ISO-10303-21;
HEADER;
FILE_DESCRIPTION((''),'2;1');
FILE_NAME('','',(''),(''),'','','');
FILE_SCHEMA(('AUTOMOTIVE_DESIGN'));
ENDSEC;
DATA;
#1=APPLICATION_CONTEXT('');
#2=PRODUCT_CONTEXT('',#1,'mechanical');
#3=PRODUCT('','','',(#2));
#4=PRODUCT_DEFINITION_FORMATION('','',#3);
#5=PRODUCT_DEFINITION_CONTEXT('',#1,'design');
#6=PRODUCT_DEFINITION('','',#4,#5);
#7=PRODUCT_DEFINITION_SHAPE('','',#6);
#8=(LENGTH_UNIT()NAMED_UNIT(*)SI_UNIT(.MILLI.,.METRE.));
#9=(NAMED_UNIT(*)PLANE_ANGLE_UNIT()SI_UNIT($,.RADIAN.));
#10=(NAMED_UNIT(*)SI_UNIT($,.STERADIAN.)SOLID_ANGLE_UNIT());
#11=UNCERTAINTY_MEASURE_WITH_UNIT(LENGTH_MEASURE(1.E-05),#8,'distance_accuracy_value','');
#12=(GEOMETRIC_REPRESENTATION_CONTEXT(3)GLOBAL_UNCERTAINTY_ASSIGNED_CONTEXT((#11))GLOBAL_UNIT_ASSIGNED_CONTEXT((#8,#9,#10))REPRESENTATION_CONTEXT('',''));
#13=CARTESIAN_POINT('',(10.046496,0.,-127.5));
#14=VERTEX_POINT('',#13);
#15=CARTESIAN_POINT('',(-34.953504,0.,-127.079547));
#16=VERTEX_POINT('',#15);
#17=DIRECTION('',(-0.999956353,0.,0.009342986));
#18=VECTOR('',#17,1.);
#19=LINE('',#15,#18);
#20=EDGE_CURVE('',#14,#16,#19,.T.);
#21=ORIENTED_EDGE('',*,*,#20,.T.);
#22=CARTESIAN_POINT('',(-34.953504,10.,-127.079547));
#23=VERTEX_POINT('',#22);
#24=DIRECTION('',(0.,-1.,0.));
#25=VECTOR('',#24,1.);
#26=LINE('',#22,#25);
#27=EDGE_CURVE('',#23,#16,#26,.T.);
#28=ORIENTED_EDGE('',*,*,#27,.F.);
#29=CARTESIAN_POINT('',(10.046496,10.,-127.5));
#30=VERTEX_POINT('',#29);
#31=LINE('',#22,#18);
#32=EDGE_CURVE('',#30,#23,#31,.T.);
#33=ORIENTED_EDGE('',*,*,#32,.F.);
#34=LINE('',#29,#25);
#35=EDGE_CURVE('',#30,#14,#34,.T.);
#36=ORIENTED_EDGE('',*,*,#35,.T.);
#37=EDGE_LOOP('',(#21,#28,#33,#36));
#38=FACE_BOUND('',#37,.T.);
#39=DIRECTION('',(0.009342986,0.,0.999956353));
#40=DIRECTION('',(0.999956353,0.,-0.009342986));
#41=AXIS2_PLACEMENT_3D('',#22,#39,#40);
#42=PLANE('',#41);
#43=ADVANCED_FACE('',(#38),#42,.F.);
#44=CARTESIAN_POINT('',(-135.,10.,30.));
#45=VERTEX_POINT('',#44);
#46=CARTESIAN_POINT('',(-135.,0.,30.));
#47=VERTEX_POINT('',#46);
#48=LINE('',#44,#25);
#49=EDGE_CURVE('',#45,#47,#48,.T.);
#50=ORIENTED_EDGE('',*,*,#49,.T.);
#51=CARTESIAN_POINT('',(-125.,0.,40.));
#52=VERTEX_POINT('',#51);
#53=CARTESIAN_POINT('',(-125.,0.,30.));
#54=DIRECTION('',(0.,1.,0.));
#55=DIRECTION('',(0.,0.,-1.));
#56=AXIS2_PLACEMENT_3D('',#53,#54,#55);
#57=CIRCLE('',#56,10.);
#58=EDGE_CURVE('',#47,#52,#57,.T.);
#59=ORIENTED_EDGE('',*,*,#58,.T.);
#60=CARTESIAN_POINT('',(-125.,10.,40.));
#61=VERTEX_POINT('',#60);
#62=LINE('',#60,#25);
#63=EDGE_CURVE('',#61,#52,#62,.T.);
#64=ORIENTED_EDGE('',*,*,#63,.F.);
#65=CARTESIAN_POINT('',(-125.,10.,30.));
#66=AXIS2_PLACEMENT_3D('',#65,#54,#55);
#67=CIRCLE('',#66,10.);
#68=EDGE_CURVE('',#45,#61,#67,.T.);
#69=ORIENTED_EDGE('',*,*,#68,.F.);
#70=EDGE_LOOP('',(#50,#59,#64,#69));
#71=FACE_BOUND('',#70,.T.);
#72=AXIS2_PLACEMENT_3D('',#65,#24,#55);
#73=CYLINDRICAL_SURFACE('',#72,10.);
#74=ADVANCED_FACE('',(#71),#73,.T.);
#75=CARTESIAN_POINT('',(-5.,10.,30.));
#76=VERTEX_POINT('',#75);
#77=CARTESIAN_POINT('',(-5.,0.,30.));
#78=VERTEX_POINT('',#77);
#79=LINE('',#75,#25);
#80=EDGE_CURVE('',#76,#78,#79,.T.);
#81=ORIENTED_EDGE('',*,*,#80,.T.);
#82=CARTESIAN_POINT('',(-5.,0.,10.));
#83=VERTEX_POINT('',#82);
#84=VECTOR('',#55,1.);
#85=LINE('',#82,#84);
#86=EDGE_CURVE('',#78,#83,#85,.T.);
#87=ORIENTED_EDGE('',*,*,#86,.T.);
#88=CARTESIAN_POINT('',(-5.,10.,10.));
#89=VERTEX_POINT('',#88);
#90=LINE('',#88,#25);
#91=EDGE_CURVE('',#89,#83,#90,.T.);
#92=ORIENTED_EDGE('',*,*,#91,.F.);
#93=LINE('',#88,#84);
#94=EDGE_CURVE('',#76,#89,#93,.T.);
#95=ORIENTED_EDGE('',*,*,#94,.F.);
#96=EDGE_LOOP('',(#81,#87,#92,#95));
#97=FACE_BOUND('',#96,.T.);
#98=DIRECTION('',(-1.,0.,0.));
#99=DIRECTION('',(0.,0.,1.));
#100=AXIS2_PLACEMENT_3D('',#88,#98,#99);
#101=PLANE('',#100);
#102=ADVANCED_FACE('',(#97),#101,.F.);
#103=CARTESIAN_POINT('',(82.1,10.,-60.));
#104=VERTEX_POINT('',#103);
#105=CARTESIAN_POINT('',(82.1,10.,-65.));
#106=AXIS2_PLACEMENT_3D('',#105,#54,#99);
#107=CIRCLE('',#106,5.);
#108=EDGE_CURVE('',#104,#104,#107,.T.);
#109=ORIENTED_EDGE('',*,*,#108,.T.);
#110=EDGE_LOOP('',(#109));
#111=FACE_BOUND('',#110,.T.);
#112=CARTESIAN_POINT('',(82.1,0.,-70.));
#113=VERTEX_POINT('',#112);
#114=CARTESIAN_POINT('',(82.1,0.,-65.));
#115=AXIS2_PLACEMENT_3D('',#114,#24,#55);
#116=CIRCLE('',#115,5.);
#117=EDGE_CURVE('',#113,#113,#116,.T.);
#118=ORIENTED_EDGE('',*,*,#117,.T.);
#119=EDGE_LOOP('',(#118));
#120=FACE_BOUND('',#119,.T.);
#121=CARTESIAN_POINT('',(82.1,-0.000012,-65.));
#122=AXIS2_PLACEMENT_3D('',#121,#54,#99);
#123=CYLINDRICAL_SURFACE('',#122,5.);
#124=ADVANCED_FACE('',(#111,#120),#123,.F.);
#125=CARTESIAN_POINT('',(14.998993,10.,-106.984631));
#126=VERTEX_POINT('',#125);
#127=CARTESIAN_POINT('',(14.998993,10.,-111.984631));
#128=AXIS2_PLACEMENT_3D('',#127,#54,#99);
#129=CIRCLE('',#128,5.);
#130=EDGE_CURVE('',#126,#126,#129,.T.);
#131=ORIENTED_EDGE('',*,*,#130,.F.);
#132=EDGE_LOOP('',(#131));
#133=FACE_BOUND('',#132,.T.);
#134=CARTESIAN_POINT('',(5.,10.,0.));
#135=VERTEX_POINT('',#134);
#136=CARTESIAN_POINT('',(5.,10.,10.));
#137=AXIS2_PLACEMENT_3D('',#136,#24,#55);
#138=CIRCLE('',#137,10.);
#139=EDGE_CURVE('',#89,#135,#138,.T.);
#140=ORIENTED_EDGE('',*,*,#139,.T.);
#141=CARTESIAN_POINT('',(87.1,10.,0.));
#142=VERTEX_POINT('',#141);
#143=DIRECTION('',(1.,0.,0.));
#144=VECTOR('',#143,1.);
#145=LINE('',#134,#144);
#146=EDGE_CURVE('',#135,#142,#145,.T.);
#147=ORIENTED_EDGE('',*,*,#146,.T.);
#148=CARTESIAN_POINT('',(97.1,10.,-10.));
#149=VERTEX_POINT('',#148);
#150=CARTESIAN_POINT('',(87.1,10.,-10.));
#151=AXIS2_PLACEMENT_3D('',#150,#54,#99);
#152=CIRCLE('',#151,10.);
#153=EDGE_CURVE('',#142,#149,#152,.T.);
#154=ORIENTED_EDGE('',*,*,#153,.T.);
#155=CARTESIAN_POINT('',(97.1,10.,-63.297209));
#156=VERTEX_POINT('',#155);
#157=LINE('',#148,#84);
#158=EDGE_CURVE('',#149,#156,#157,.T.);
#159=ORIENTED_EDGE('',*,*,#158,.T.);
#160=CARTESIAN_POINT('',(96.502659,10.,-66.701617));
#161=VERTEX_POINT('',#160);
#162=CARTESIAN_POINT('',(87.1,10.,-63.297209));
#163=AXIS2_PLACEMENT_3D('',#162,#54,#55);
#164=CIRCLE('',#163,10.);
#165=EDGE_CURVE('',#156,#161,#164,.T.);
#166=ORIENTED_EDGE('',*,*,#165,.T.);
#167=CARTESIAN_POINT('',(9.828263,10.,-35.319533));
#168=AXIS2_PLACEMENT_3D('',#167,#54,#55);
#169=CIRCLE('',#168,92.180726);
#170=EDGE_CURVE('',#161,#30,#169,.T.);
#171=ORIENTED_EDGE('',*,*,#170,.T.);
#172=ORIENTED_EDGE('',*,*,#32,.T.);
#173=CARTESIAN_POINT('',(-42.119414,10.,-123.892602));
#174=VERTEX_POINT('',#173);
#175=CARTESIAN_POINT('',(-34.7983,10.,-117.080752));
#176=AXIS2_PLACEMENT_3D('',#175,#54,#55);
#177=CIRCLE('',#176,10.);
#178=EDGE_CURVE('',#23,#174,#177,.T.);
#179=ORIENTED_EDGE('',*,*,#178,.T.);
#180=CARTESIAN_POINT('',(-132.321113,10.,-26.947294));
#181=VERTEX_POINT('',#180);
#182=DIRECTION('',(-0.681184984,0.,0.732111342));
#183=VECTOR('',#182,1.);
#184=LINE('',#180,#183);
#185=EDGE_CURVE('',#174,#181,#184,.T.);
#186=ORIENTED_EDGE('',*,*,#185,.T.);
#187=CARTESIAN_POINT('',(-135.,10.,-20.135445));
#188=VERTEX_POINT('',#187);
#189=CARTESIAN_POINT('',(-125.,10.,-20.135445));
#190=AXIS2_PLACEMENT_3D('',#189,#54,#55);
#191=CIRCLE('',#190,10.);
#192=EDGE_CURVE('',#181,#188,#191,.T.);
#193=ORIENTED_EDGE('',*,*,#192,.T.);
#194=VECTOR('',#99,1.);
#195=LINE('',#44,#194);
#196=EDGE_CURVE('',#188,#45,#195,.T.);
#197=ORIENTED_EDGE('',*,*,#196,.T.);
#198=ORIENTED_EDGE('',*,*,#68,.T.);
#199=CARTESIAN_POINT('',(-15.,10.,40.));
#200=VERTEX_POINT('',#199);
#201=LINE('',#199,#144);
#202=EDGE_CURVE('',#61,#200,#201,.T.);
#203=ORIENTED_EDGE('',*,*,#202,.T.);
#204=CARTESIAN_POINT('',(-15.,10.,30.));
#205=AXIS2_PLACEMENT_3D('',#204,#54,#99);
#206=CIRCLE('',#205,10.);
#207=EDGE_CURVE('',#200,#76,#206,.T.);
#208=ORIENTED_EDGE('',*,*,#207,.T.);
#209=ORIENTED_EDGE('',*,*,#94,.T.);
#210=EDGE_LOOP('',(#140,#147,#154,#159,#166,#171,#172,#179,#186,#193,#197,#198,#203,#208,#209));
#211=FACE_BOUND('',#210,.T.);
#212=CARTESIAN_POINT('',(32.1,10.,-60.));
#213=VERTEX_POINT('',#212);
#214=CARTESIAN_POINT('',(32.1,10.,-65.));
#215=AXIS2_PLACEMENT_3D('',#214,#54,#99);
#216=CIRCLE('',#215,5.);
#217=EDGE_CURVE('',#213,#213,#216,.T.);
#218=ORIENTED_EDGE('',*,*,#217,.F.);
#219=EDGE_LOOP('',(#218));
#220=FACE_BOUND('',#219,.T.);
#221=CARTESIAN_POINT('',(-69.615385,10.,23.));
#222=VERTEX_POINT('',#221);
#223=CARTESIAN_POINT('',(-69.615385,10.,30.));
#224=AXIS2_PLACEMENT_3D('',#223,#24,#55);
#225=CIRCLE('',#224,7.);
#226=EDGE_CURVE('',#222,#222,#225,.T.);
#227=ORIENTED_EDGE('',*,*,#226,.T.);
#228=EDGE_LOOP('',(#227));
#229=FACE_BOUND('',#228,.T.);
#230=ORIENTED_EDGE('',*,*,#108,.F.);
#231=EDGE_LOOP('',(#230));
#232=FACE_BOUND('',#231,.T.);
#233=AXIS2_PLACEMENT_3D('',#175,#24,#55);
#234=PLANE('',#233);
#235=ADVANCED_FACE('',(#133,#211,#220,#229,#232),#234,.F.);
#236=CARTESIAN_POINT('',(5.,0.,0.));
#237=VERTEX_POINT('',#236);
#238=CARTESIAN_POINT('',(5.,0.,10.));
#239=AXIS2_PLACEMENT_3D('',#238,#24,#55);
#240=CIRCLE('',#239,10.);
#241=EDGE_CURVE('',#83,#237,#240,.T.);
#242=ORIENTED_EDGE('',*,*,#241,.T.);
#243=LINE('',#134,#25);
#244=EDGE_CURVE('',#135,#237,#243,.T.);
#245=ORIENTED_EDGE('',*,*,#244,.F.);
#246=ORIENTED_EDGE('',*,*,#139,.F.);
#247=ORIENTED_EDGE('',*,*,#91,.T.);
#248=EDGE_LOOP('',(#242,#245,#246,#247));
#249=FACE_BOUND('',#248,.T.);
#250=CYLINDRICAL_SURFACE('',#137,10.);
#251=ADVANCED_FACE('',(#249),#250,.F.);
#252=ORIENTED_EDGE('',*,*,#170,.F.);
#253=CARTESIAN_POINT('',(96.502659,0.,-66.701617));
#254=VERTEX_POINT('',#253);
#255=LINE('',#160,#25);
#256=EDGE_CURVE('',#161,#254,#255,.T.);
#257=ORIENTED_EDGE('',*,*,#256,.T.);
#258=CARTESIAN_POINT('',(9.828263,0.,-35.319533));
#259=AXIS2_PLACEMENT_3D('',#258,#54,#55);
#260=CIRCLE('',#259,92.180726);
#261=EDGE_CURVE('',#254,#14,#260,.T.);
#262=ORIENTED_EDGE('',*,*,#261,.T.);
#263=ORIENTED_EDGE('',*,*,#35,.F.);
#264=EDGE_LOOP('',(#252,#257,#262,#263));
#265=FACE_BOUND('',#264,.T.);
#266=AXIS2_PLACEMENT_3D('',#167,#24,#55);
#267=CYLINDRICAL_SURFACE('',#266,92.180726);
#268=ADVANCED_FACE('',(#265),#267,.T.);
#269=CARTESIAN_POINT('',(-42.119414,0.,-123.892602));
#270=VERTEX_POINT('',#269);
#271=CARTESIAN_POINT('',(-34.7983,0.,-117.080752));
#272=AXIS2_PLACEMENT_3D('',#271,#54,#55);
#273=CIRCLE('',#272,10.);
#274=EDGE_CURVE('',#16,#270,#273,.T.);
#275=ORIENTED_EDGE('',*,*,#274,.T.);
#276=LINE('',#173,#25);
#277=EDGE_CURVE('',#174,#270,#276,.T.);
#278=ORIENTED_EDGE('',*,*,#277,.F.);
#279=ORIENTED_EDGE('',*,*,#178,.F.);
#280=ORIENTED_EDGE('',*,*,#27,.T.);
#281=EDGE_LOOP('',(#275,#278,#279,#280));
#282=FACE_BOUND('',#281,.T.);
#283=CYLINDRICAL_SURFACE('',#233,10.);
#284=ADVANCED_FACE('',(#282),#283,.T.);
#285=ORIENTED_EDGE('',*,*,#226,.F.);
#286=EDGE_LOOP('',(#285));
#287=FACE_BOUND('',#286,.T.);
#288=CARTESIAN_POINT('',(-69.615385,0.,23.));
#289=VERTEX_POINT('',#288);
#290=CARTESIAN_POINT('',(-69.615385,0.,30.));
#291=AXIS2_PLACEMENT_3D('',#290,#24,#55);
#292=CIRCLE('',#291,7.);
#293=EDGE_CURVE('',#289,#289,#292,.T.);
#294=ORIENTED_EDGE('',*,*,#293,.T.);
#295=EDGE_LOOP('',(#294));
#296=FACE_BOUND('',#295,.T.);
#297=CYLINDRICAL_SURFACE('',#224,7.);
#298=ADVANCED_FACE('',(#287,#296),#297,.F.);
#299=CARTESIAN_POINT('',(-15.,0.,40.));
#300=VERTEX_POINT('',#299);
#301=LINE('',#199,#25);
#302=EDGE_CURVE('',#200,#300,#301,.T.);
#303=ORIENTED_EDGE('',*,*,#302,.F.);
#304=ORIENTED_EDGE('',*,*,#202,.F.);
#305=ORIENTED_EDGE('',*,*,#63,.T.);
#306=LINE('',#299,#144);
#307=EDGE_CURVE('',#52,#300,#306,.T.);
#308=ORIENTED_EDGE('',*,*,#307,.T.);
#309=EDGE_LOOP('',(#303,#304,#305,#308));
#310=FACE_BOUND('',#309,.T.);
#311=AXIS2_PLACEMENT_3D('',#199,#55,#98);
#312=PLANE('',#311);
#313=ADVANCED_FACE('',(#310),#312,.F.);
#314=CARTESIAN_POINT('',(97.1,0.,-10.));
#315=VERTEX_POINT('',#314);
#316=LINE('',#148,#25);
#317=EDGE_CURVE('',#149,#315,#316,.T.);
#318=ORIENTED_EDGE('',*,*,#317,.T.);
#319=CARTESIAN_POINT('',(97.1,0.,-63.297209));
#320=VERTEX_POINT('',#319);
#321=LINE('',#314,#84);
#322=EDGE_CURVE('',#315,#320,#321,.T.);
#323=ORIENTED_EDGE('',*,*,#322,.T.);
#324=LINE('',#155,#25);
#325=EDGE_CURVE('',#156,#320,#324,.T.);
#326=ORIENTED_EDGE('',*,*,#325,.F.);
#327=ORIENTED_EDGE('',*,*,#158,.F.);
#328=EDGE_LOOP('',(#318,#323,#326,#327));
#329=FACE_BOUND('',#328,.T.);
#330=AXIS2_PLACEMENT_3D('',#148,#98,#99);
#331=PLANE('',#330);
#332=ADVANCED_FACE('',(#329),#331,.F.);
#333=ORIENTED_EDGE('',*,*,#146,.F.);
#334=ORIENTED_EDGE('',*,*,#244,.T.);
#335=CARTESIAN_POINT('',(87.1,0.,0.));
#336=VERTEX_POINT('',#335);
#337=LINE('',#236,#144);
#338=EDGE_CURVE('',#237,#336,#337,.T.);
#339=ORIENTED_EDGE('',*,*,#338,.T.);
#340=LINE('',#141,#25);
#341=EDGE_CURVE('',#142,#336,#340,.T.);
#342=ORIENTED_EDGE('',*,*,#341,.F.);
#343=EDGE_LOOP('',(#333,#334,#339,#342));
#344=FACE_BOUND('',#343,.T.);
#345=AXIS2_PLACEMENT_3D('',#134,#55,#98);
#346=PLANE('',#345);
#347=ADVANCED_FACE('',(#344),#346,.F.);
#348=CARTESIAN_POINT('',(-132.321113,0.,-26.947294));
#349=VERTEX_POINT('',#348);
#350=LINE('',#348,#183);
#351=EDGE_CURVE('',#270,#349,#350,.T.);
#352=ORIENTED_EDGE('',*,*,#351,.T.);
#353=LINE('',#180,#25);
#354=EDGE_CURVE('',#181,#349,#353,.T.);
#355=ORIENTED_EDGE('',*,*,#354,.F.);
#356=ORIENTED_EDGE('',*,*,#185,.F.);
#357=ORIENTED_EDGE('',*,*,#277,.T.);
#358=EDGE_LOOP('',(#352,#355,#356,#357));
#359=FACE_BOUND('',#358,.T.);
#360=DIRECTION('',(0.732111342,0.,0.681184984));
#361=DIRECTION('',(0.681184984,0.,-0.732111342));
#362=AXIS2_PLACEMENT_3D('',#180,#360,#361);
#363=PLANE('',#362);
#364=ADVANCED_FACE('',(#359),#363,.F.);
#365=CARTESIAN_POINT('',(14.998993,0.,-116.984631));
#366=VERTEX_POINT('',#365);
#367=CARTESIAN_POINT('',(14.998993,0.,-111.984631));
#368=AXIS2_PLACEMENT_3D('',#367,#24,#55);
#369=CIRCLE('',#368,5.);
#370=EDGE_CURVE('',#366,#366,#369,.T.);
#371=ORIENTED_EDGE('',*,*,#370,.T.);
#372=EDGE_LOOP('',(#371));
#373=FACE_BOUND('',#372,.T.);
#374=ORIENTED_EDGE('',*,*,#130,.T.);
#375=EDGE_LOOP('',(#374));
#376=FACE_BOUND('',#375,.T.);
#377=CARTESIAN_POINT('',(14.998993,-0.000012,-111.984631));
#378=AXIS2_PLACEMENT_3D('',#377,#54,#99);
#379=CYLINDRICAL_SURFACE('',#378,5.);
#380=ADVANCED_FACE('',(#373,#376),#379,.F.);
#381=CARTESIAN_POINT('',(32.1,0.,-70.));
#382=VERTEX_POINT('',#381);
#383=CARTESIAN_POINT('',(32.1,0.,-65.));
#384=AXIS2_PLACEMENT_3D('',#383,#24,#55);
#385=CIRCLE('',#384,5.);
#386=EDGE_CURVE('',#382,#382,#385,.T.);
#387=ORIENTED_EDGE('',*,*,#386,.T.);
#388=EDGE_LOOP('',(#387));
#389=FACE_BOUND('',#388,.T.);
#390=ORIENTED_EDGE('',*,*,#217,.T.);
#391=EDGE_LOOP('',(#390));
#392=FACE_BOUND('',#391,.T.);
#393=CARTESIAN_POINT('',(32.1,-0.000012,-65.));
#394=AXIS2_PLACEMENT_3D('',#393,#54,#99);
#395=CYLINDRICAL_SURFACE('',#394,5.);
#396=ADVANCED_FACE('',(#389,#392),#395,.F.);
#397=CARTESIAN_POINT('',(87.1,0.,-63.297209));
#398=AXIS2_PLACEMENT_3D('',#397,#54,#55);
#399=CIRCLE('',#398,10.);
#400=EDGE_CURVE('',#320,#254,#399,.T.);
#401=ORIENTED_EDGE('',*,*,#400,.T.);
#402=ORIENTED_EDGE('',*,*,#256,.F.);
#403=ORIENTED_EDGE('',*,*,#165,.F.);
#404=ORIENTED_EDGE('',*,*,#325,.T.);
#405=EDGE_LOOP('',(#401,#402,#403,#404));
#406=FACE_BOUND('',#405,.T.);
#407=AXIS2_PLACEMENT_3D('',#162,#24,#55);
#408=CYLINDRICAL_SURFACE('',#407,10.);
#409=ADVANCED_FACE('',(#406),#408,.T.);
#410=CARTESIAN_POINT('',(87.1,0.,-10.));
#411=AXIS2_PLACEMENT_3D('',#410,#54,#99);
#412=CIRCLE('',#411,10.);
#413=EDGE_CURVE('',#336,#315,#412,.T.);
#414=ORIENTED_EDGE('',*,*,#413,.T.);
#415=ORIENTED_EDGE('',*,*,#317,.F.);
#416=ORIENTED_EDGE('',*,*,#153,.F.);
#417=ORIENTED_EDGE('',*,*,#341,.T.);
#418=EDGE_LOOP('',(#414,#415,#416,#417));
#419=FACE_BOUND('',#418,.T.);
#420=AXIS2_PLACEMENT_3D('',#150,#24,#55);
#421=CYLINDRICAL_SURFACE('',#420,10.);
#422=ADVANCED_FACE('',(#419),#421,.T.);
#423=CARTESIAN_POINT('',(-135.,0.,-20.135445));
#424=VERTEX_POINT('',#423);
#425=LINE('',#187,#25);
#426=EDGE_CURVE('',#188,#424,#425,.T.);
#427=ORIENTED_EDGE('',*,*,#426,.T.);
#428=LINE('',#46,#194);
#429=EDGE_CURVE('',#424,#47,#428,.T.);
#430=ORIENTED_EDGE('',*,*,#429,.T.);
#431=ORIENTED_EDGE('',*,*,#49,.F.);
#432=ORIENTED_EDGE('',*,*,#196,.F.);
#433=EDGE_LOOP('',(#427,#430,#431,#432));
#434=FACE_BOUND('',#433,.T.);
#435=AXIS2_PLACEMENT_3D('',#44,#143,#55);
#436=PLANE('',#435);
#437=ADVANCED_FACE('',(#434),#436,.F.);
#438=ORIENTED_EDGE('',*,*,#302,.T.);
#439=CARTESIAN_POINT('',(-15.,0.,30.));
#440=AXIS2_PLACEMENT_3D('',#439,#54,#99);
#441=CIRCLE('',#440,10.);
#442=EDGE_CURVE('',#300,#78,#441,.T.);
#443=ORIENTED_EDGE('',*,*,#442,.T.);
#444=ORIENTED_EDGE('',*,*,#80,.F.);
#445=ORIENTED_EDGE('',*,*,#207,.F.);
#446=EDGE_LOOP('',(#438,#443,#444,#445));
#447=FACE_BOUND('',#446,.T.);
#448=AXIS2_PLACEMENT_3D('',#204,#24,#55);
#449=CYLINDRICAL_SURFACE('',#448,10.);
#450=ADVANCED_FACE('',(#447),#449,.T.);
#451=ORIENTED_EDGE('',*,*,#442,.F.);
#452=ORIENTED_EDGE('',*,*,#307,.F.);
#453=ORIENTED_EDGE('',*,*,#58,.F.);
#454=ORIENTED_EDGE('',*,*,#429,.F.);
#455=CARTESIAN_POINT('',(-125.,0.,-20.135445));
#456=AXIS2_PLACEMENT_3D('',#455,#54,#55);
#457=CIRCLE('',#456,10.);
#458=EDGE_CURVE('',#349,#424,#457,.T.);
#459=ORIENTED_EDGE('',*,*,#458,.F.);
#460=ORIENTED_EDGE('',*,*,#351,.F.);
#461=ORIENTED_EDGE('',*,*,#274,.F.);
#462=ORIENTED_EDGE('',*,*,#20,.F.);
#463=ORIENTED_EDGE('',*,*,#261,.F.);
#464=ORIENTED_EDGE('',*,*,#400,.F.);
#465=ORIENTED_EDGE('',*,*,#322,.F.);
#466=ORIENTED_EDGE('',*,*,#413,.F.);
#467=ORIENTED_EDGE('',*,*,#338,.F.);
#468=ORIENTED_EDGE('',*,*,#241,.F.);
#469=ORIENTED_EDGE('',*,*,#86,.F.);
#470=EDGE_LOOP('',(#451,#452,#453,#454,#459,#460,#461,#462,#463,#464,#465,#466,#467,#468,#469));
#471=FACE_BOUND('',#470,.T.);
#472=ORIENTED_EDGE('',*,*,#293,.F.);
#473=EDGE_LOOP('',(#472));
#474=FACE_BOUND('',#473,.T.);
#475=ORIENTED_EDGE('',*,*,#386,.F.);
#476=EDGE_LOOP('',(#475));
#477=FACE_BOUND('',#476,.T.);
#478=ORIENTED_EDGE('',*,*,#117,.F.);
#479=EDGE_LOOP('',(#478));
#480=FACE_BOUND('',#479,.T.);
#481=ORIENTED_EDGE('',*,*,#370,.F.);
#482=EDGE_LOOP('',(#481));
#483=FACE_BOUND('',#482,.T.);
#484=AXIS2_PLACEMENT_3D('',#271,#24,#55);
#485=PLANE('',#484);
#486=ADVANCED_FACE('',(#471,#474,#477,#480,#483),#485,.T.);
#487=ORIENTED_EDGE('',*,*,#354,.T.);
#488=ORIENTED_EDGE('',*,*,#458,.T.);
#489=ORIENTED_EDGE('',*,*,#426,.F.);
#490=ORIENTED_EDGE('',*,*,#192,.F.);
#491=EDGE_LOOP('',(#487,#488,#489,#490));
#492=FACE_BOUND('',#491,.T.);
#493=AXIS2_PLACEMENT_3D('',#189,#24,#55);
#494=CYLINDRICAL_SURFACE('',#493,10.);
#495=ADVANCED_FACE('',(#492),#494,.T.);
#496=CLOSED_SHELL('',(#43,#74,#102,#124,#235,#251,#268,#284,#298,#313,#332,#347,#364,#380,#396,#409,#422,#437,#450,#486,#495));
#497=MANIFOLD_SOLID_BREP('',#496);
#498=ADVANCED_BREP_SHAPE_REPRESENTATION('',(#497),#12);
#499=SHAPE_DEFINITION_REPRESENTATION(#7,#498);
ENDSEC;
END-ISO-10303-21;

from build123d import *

# Parameters (mm, degrees)
BOSS_EXTRUDE1_DEPTH     = 10
SKETCH2_R               = 5
CUT_EXTRUDE4_DEPTH      = 11
CUT_EXTRUDE4_DEPTH_BACK = 1
SKETCH3_R               = 7
CUT_EXTRUDE5_DEPTH      = 11


with BuildPart() as part:
    # Sketch1 → Boss-Extrude1 (new body)
    with BuildSketch(Plane(origin=(0, 0, 0), x_dir=(1, 0, 0), z_dir=(0, 1, 0))):
        with BuildLine():
            Line((5, 0), (87.1, 0))
            ThreePointArc((87.1, 0), (94.171067812, 2.928932188), (97.1, 10))
            Line((97.1, 10), (97.1, 63.297208828))
            ThreePointArc((97.1, 63.297208828), (96.949532816, 65.025416948), (96.502659338, 66.701617347))
            ThreePointArc((96.502659338, 66.701617347), (62.853663281, 110.72240479), (10.046495568, 127.5))
            Line((10.046495568, 127.5), (-34.953504432, 127.079547292))
            ThreePointArc((-34.953504432, 127.079547292), (-38.861917641, 126.217874558), (-42.119413536, 123.892601626))
            Line((-42.119413536, 123.892601626), (-132.321113421, 26.947294417))
            ThreePointArc((-132.321113421, 26.947294417), (-134.306211211, 23.795285131), (-135, 20.135444575))
            Line((-135, 20.135444575), (-135, -30))
            ThreePointArc((-135, -30), (-132.071067812, -37.071067812), (-125, -40))
            Line((-125, -40), (-15, -40))
            ThreePointArc((-15, -40), (-7.928932188, -37.071067812), (-5, -30))
            Line((-5, -30), (-5, -10))
            ThreePointArc((-5, -10), (-2.071067812, -2.928932188), (5, 0))
        make_face()
    extrude(amount=BOSS_EXTRUDE1_DEPTH)

    # Sketch2 → Cut-Extrude4 (cut, two sides)
    with BuildSketch(Plane(origin=(0, 0, 0), x_dir=(1, 0, 0), z_dir=(0, 1, 0))) as cut_extrude4_sk:
        with Locations((14.998992834, 111.984631039)):
            Circle(SKETCH2_R)
        with Locations((82.1, 65)):
            Circle(SKETCH2_R)
        with Locations((32.1, 65)):
            Circle(SKETCH2_R)
    extrude(amount=CUT_EXTRUDE4_DEPTH, mode=Mode.SUBTRACT)
    extrude(cut_extrude4_sk.sketch, amount=-CUT_EXTRUDE4_DEPTH_BACK, mode=Mode.SUBTRACT)

    # Sketch3 → Cut-Extrude5 (cut, through all)
    with BuildSketch(Plane.XZ):
        with Locations((-69.615384615, 30)):
            Circle(SKETCH3_R)
    extrude(amount=-CUT_EXTRUDE5_DEPTH, mode=Mode.SUBTRACT)


solid = part.part
